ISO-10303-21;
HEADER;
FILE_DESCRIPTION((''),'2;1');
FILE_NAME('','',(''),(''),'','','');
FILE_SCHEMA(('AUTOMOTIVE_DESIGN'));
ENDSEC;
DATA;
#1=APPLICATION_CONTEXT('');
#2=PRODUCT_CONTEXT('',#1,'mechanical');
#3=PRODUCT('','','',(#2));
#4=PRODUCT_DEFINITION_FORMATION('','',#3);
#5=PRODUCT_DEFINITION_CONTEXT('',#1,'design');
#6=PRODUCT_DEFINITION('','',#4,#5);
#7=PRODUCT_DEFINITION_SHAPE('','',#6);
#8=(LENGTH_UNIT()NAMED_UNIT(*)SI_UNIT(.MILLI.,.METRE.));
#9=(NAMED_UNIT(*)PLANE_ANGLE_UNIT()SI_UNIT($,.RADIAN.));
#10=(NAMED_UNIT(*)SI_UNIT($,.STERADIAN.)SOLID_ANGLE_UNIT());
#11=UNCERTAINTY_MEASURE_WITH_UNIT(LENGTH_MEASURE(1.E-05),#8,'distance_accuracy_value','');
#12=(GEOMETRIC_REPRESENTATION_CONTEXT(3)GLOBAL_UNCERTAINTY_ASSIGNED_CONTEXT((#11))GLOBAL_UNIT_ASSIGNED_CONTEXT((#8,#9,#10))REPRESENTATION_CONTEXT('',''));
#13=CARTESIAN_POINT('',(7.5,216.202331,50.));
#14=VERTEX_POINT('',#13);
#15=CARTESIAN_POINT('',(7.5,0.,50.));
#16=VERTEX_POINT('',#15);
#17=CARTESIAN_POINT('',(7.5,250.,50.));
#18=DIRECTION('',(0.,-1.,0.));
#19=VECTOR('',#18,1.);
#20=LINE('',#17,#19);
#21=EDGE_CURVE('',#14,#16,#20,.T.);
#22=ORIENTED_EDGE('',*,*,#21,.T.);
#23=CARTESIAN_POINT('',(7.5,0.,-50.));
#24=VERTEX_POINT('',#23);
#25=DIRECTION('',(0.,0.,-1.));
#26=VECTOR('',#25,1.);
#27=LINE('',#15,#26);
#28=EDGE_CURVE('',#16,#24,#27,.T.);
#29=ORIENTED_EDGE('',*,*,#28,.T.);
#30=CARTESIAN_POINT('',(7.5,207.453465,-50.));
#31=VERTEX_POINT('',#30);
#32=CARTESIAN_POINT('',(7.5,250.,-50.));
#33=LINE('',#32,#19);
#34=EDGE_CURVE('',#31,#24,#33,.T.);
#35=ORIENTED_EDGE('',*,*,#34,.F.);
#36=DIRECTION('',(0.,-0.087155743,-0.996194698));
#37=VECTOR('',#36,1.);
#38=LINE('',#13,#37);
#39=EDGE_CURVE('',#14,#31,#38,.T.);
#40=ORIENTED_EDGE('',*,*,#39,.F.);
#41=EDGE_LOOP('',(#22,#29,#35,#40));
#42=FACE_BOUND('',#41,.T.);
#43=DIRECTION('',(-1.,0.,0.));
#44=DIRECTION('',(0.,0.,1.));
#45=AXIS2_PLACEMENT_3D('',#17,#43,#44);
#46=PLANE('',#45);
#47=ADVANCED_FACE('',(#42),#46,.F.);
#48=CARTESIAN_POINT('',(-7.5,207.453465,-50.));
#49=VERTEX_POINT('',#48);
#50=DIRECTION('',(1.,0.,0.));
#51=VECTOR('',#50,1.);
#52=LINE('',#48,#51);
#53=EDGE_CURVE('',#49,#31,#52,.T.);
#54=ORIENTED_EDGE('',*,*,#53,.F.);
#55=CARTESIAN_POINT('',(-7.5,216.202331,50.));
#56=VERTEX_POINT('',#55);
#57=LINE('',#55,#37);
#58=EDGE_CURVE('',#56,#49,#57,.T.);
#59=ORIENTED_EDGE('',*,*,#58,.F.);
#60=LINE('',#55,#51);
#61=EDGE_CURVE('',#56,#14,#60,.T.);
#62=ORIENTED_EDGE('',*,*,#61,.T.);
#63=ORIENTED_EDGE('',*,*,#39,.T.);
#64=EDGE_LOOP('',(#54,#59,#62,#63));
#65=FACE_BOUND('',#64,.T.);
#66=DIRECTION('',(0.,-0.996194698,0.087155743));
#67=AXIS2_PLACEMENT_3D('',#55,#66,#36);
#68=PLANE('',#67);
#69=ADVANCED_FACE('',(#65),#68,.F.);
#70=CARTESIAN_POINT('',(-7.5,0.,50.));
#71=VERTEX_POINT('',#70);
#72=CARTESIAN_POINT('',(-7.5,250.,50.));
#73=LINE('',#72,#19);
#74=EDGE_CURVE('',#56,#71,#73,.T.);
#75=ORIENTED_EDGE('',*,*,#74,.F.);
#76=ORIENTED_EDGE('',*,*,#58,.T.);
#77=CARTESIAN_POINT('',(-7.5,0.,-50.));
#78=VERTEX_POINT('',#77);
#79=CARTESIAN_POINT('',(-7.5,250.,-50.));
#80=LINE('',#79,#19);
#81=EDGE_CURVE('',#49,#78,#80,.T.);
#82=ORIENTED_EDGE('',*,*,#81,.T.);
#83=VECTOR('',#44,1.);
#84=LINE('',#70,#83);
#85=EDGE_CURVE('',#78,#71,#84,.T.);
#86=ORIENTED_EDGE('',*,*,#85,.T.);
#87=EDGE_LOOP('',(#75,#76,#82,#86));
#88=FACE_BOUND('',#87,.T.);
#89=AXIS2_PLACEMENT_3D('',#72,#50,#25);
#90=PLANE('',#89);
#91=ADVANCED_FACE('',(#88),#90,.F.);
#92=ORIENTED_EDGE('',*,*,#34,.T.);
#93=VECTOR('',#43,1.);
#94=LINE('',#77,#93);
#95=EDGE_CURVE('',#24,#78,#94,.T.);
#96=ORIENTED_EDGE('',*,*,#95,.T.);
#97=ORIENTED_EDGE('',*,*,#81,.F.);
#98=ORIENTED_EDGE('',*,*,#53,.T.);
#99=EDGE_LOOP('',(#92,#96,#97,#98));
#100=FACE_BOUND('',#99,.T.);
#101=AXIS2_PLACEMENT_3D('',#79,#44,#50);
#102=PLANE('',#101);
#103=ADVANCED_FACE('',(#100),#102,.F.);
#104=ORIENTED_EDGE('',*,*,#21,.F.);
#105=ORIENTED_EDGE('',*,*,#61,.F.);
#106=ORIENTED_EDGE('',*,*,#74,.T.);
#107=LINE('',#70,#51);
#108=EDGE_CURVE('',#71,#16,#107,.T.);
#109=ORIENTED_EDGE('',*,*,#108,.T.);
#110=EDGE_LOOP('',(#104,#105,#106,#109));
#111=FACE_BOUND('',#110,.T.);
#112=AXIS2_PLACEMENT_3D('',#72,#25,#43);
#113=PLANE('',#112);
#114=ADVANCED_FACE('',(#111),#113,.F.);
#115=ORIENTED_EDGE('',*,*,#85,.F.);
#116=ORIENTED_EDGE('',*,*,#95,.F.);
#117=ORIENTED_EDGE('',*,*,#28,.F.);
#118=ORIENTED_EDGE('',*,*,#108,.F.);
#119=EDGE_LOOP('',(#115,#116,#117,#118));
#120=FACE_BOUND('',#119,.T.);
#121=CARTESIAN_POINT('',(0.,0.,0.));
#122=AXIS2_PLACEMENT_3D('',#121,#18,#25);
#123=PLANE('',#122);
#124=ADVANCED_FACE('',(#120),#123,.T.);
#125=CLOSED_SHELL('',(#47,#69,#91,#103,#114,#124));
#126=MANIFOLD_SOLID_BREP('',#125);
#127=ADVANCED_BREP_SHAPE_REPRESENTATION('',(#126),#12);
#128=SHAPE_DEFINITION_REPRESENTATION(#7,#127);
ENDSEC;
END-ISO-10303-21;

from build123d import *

# Parameters (mm, degrees)
CROQUIS1_W              = 15
CROQUIS1_H              = 100
SALIENTE_EXTRUIR1_DEPTH = 250
CORTAR_EXTRUIR1_DEPTH   = 256.391855782


with BuildPart() as part:
    # Croquis1 → Saliente-Extruir1 (new body)
    with BuildSketch(Plane(origin=(0, 0, 0), x_dir=(1, 0, 0), z_dir=(0, 1, 0))):
        Rectangle(CROQUIS1_W, CROQUIS1_H)
    extrude(amount=SALIENTE_EXTRUIR1_DEPTH)

    # Croquis2 → Cortar-Extruir1 (cut, through all)
    with BuildSketch(Plane(origin=(7.5, 0, 0), x_dir=(0, 0, -1), z_dir=(1, 0, 0))):
        Polygon((-50, 216.202330913), (50, 207.45346456), (50, 250), (-50, 250), align=None)
    extrude(amount=-CORTAR_EXTRUIR1_DEPTH, mode=Mode.SUBTRACT)


solid = part.part
